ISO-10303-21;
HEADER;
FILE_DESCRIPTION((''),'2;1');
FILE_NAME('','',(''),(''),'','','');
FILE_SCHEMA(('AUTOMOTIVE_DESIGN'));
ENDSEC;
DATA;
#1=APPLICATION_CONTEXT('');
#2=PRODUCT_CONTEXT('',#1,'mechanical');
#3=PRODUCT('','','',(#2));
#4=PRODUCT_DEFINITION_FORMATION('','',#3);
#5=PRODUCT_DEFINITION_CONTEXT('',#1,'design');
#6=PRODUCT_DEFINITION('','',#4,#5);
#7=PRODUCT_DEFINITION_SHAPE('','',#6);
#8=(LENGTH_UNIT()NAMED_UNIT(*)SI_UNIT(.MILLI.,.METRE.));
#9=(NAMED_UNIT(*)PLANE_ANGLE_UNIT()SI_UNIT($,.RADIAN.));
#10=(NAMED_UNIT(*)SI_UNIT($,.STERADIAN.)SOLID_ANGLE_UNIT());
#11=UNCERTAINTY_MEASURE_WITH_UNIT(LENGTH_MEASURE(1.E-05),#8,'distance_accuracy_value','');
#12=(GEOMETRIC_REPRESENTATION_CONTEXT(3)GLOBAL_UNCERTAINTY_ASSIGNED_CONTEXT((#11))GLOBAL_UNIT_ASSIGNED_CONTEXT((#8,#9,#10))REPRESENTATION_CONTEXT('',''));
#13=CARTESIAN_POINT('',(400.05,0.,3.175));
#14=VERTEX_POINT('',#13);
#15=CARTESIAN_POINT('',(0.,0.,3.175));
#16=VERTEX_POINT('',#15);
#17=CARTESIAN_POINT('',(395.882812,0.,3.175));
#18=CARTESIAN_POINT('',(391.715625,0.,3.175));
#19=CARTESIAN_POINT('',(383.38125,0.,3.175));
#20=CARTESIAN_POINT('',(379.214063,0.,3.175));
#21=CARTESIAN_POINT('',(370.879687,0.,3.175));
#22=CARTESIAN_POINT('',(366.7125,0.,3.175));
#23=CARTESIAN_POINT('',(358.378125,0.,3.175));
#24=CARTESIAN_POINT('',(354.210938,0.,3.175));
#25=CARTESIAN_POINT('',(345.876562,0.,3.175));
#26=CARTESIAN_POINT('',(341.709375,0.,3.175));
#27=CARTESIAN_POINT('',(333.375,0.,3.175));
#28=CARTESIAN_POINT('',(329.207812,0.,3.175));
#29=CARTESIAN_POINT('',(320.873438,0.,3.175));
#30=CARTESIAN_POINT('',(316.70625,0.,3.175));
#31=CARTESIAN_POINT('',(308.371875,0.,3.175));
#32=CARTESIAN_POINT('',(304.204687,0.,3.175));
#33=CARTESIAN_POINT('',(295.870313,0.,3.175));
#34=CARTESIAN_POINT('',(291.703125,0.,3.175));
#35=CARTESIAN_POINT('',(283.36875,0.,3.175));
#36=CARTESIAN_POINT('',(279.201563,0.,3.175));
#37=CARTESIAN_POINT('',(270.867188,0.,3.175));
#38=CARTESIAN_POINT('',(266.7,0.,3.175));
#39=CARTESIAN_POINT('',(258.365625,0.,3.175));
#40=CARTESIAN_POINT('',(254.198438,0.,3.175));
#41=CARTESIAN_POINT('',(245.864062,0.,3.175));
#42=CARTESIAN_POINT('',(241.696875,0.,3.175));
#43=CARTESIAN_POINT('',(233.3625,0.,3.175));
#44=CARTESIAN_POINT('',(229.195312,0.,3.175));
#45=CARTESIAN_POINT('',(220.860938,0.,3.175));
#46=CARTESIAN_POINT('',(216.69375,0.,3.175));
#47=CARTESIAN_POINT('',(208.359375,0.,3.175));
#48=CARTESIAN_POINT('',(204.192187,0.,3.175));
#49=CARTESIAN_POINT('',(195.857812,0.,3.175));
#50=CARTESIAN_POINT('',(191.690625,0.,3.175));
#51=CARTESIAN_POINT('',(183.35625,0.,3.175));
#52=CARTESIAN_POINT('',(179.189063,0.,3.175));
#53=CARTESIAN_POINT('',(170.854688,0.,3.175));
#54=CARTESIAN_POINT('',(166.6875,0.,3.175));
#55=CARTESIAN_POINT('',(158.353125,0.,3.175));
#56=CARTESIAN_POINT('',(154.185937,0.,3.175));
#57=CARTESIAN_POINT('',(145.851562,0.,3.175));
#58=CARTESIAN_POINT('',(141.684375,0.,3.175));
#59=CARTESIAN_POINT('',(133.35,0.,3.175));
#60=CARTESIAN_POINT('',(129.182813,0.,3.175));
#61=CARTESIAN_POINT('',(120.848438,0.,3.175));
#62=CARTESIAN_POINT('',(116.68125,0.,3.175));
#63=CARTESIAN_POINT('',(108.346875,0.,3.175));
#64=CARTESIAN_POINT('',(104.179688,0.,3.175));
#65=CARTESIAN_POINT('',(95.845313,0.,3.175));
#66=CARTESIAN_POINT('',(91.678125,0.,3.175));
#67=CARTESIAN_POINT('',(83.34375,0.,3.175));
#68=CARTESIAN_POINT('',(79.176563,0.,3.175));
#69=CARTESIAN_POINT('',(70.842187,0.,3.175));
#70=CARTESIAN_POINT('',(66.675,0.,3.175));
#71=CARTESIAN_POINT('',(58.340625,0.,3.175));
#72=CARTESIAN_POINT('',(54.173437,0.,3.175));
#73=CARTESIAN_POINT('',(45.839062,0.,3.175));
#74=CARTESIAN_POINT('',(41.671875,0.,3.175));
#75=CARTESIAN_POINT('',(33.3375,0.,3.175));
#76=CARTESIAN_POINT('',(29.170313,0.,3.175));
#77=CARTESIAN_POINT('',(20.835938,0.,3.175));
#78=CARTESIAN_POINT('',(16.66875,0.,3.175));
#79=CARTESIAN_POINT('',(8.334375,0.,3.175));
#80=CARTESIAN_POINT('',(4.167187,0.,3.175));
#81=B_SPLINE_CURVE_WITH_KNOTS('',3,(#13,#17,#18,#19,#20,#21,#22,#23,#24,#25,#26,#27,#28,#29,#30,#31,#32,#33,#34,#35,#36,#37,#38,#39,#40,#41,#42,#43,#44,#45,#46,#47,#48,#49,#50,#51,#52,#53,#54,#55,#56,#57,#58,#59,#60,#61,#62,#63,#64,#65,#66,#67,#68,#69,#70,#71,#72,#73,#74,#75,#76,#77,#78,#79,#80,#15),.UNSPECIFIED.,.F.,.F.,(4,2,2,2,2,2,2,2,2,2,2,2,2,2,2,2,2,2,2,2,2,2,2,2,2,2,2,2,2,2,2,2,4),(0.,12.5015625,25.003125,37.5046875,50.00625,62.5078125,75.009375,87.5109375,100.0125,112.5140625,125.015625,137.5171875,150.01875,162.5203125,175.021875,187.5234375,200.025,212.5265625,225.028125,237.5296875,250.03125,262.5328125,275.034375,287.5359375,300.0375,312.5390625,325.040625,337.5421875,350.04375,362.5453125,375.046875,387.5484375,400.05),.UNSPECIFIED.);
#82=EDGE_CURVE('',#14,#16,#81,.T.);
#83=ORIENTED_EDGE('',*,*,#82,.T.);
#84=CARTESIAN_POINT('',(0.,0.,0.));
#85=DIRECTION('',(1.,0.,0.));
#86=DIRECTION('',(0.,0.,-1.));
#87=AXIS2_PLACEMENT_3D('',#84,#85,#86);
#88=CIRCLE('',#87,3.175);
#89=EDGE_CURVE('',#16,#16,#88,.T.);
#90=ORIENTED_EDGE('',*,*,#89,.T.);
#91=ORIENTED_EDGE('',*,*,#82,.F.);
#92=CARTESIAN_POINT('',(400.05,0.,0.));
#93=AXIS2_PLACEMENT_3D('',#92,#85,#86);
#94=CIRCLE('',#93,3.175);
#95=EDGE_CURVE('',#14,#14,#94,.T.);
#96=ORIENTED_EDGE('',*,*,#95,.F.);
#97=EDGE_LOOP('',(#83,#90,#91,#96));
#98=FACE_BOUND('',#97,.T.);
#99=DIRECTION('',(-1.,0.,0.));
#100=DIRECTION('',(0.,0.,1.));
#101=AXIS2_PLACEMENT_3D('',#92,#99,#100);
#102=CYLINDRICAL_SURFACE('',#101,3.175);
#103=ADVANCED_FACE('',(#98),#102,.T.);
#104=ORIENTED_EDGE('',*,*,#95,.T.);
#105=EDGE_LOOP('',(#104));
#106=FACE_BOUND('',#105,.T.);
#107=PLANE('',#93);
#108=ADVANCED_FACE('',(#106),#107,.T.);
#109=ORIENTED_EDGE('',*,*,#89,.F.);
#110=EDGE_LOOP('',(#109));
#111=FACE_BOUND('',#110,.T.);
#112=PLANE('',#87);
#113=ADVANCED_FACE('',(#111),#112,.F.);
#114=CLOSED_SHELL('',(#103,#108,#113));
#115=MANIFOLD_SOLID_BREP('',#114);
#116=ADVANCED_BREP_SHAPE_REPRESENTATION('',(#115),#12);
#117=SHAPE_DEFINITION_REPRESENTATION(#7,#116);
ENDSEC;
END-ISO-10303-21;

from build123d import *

# Parameters (mm, degrees)
SKETCH1_R           = 3.175
BOSS_EXTRUDE1_DEPTH = 400.05


with BuildPart() as part:
    # Sketch1 → Boss-Extrude1 (new body)
    with BuildSketch(Plane(origin=(0, 0, 0), x_dir=(0, 0, -1), z_dir=(1, 0, 0))):
        with Locations(Location((0, 0, 0), (0, 0, 180))):
            Circle(SKETCH1_R)
    extrude(amount=BOSS_EXTRUDE1_DEPTH)


solid = part.part
